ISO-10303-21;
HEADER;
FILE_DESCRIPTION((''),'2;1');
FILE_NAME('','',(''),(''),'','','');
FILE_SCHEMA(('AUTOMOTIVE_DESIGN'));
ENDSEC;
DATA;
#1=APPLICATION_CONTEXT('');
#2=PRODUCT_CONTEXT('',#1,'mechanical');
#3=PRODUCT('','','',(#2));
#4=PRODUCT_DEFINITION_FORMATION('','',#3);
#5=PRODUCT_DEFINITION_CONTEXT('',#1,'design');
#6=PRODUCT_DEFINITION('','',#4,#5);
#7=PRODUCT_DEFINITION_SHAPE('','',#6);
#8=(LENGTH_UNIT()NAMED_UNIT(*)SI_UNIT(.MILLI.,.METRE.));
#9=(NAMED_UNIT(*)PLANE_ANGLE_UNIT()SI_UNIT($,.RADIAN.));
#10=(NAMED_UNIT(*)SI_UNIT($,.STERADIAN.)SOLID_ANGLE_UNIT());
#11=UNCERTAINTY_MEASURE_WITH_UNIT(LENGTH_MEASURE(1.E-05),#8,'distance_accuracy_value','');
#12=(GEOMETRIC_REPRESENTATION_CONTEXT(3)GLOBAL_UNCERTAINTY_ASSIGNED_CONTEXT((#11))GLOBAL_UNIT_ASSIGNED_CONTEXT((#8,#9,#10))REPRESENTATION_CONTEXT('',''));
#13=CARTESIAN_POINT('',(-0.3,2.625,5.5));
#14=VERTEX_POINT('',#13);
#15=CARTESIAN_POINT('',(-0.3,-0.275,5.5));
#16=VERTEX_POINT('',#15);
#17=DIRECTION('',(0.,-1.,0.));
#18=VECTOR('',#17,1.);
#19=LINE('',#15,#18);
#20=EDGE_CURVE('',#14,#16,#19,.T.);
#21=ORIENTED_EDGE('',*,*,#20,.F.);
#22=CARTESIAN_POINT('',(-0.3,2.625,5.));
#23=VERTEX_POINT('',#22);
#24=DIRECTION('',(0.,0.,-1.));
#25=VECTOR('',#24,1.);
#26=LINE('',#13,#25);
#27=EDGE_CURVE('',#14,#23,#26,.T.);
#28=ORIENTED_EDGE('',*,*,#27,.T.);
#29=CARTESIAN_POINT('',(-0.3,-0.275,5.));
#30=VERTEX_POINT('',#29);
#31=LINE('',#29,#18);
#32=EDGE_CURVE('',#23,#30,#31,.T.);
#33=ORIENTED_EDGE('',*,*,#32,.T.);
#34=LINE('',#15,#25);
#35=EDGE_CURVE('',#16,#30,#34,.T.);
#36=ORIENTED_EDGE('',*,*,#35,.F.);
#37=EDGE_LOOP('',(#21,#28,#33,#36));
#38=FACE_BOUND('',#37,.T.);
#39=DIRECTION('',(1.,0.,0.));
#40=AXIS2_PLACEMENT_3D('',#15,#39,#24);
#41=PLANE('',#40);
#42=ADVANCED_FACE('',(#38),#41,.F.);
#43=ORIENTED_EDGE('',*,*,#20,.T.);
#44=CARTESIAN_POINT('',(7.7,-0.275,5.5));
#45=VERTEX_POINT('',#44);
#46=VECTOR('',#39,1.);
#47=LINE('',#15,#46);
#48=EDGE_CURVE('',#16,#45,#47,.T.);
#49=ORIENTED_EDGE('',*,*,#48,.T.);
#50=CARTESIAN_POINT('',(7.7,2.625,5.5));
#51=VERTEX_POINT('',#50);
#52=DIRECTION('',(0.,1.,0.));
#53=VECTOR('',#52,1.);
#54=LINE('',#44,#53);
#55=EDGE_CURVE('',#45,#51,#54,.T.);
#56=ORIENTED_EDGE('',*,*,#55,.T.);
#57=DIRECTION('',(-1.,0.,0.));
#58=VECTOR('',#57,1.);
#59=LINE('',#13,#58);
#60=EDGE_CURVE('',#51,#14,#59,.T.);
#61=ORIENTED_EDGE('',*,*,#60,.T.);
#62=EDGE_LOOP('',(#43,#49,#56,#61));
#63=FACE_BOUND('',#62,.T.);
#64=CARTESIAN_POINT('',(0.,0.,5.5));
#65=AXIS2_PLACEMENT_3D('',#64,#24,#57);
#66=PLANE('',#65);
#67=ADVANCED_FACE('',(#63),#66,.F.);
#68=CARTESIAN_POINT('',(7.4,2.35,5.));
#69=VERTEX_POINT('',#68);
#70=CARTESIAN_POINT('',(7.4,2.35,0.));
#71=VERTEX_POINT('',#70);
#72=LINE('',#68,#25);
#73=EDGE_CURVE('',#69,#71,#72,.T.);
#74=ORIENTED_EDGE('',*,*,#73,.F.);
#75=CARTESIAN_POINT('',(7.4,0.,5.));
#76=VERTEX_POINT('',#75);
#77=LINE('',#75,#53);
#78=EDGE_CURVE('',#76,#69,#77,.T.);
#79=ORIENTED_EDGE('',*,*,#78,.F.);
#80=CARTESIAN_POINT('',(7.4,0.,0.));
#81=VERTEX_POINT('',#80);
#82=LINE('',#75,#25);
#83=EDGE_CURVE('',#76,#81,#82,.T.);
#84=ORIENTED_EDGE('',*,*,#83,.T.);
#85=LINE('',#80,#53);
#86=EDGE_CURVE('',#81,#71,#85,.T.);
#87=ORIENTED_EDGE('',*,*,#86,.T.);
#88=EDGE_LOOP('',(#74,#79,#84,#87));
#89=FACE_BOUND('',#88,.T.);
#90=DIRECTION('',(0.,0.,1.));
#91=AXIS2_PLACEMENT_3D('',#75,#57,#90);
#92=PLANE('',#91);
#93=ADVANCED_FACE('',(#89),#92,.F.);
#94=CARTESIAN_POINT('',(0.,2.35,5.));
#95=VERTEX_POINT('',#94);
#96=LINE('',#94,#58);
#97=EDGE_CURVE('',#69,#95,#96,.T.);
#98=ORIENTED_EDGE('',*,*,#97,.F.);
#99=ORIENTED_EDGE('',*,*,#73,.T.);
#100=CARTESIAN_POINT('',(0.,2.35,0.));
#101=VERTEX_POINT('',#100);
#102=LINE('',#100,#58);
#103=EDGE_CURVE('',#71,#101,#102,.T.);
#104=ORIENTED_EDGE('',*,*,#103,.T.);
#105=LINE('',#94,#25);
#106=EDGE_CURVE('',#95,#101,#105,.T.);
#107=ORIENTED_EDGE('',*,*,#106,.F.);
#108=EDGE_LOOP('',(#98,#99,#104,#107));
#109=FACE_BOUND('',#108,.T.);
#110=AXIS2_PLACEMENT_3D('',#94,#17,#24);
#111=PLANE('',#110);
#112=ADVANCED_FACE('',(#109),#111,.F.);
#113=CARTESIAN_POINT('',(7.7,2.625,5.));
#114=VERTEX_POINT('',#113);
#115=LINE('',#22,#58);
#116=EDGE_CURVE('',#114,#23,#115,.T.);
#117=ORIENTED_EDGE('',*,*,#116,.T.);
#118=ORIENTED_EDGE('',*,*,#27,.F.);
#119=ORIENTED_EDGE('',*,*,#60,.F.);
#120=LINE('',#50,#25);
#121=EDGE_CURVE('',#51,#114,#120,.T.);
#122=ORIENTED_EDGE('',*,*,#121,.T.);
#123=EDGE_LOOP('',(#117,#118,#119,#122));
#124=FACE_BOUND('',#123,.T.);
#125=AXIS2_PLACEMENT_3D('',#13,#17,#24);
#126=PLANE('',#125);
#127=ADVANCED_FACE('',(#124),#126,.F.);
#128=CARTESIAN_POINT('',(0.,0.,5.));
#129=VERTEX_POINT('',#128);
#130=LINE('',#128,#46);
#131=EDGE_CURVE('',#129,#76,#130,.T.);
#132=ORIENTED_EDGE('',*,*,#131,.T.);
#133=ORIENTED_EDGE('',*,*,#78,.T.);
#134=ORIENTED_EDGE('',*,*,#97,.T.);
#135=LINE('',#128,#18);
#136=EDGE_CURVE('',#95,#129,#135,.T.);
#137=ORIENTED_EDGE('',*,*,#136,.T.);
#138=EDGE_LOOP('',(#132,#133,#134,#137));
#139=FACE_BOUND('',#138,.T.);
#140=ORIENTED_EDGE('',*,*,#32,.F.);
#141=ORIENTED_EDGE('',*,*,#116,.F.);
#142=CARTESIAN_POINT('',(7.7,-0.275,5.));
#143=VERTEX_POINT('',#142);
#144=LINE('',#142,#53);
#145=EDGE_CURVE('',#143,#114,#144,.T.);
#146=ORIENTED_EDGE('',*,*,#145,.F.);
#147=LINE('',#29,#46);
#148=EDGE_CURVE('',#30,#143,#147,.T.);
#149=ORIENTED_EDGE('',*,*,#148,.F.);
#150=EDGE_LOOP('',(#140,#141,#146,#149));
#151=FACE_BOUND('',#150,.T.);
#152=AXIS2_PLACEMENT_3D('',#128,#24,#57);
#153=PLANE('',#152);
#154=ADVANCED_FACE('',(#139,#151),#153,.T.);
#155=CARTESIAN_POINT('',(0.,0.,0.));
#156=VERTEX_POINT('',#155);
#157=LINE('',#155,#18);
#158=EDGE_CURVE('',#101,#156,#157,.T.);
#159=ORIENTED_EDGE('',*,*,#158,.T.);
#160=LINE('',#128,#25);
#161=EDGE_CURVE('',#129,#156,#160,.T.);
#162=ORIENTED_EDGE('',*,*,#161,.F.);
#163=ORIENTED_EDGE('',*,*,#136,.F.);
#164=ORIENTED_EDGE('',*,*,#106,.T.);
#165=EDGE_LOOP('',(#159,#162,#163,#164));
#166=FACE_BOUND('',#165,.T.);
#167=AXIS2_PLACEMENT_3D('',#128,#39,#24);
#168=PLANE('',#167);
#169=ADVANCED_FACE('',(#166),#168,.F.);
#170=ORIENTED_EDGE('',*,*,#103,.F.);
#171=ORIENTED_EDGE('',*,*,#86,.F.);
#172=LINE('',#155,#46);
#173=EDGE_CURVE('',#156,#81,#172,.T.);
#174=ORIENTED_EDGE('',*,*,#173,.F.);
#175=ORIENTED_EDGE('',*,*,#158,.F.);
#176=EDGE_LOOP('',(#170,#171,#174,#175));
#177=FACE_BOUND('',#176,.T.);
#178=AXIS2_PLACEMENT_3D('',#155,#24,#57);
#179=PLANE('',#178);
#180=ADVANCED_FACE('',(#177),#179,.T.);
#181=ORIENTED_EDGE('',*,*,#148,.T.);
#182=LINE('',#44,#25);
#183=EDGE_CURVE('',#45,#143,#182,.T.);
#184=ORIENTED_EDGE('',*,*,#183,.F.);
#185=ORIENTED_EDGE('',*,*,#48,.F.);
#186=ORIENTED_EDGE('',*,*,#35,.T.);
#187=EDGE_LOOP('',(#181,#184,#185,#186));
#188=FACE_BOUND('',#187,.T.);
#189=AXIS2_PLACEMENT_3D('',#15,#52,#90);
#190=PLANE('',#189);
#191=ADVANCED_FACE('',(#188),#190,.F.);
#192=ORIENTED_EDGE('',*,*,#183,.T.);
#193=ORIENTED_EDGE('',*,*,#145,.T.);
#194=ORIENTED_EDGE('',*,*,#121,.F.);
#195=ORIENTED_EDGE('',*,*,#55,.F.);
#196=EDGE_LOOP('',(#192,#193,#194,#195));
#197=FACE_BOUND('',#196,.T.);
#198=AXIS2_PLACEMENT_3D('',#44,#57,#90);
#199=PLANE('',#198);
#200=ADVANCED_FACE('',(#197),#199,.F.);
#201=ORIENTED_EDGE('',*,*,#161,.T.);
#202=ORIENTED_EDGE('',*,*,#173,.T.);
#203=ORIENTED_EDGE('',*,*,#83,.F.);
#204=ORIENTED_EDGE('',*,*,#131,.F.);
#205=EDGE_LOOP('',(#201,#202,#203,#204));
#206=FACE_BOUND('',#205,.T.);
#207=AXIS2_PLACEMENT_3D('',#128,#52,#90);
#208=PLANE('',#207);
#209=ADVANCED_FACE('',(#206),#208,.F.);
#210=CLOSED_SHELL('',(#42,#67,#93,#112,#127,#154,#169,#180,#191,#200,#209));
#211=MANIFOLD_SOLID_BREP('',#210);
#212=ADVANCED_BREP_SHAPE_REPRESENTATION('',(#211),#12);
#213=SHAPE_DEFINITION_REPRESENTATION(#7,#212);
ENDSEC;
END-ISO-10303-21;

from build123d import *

# Parameters (mm, degrees)
SKETCH1_W           = 7.4
SKETCH1_H           = 2.35
BOSS_EXTRUDE1_DEPTH = 5
SKETCH2_W           = 8
SKETCH2_H           = 2.9
BOSS_EXTRUDE2_DEPTH = 0.5


with BuildPart() as part:
    # Sketch1 → Boss-Extrude1 (new body)
    with BuildSketch(Plane.XY):
        with Locations((3.7, 1.175)):
            Rectangle(SKETCH1_W, SKETCH1_H)
    extrude(amount=BOSS_EXTRUDE1_DEPTH)

    # Sketch2 → Boss-Extrude2 (add)
    with BuildSketch(Plane.XY.offset(5)):
        with Locations((3.7, 1.175)):
            Rectangle(SKETCH2_W, SKETCH2_H)
    extrude(amount=BOSS_EXTRUDE2_DEPTH)


solid = part.part
